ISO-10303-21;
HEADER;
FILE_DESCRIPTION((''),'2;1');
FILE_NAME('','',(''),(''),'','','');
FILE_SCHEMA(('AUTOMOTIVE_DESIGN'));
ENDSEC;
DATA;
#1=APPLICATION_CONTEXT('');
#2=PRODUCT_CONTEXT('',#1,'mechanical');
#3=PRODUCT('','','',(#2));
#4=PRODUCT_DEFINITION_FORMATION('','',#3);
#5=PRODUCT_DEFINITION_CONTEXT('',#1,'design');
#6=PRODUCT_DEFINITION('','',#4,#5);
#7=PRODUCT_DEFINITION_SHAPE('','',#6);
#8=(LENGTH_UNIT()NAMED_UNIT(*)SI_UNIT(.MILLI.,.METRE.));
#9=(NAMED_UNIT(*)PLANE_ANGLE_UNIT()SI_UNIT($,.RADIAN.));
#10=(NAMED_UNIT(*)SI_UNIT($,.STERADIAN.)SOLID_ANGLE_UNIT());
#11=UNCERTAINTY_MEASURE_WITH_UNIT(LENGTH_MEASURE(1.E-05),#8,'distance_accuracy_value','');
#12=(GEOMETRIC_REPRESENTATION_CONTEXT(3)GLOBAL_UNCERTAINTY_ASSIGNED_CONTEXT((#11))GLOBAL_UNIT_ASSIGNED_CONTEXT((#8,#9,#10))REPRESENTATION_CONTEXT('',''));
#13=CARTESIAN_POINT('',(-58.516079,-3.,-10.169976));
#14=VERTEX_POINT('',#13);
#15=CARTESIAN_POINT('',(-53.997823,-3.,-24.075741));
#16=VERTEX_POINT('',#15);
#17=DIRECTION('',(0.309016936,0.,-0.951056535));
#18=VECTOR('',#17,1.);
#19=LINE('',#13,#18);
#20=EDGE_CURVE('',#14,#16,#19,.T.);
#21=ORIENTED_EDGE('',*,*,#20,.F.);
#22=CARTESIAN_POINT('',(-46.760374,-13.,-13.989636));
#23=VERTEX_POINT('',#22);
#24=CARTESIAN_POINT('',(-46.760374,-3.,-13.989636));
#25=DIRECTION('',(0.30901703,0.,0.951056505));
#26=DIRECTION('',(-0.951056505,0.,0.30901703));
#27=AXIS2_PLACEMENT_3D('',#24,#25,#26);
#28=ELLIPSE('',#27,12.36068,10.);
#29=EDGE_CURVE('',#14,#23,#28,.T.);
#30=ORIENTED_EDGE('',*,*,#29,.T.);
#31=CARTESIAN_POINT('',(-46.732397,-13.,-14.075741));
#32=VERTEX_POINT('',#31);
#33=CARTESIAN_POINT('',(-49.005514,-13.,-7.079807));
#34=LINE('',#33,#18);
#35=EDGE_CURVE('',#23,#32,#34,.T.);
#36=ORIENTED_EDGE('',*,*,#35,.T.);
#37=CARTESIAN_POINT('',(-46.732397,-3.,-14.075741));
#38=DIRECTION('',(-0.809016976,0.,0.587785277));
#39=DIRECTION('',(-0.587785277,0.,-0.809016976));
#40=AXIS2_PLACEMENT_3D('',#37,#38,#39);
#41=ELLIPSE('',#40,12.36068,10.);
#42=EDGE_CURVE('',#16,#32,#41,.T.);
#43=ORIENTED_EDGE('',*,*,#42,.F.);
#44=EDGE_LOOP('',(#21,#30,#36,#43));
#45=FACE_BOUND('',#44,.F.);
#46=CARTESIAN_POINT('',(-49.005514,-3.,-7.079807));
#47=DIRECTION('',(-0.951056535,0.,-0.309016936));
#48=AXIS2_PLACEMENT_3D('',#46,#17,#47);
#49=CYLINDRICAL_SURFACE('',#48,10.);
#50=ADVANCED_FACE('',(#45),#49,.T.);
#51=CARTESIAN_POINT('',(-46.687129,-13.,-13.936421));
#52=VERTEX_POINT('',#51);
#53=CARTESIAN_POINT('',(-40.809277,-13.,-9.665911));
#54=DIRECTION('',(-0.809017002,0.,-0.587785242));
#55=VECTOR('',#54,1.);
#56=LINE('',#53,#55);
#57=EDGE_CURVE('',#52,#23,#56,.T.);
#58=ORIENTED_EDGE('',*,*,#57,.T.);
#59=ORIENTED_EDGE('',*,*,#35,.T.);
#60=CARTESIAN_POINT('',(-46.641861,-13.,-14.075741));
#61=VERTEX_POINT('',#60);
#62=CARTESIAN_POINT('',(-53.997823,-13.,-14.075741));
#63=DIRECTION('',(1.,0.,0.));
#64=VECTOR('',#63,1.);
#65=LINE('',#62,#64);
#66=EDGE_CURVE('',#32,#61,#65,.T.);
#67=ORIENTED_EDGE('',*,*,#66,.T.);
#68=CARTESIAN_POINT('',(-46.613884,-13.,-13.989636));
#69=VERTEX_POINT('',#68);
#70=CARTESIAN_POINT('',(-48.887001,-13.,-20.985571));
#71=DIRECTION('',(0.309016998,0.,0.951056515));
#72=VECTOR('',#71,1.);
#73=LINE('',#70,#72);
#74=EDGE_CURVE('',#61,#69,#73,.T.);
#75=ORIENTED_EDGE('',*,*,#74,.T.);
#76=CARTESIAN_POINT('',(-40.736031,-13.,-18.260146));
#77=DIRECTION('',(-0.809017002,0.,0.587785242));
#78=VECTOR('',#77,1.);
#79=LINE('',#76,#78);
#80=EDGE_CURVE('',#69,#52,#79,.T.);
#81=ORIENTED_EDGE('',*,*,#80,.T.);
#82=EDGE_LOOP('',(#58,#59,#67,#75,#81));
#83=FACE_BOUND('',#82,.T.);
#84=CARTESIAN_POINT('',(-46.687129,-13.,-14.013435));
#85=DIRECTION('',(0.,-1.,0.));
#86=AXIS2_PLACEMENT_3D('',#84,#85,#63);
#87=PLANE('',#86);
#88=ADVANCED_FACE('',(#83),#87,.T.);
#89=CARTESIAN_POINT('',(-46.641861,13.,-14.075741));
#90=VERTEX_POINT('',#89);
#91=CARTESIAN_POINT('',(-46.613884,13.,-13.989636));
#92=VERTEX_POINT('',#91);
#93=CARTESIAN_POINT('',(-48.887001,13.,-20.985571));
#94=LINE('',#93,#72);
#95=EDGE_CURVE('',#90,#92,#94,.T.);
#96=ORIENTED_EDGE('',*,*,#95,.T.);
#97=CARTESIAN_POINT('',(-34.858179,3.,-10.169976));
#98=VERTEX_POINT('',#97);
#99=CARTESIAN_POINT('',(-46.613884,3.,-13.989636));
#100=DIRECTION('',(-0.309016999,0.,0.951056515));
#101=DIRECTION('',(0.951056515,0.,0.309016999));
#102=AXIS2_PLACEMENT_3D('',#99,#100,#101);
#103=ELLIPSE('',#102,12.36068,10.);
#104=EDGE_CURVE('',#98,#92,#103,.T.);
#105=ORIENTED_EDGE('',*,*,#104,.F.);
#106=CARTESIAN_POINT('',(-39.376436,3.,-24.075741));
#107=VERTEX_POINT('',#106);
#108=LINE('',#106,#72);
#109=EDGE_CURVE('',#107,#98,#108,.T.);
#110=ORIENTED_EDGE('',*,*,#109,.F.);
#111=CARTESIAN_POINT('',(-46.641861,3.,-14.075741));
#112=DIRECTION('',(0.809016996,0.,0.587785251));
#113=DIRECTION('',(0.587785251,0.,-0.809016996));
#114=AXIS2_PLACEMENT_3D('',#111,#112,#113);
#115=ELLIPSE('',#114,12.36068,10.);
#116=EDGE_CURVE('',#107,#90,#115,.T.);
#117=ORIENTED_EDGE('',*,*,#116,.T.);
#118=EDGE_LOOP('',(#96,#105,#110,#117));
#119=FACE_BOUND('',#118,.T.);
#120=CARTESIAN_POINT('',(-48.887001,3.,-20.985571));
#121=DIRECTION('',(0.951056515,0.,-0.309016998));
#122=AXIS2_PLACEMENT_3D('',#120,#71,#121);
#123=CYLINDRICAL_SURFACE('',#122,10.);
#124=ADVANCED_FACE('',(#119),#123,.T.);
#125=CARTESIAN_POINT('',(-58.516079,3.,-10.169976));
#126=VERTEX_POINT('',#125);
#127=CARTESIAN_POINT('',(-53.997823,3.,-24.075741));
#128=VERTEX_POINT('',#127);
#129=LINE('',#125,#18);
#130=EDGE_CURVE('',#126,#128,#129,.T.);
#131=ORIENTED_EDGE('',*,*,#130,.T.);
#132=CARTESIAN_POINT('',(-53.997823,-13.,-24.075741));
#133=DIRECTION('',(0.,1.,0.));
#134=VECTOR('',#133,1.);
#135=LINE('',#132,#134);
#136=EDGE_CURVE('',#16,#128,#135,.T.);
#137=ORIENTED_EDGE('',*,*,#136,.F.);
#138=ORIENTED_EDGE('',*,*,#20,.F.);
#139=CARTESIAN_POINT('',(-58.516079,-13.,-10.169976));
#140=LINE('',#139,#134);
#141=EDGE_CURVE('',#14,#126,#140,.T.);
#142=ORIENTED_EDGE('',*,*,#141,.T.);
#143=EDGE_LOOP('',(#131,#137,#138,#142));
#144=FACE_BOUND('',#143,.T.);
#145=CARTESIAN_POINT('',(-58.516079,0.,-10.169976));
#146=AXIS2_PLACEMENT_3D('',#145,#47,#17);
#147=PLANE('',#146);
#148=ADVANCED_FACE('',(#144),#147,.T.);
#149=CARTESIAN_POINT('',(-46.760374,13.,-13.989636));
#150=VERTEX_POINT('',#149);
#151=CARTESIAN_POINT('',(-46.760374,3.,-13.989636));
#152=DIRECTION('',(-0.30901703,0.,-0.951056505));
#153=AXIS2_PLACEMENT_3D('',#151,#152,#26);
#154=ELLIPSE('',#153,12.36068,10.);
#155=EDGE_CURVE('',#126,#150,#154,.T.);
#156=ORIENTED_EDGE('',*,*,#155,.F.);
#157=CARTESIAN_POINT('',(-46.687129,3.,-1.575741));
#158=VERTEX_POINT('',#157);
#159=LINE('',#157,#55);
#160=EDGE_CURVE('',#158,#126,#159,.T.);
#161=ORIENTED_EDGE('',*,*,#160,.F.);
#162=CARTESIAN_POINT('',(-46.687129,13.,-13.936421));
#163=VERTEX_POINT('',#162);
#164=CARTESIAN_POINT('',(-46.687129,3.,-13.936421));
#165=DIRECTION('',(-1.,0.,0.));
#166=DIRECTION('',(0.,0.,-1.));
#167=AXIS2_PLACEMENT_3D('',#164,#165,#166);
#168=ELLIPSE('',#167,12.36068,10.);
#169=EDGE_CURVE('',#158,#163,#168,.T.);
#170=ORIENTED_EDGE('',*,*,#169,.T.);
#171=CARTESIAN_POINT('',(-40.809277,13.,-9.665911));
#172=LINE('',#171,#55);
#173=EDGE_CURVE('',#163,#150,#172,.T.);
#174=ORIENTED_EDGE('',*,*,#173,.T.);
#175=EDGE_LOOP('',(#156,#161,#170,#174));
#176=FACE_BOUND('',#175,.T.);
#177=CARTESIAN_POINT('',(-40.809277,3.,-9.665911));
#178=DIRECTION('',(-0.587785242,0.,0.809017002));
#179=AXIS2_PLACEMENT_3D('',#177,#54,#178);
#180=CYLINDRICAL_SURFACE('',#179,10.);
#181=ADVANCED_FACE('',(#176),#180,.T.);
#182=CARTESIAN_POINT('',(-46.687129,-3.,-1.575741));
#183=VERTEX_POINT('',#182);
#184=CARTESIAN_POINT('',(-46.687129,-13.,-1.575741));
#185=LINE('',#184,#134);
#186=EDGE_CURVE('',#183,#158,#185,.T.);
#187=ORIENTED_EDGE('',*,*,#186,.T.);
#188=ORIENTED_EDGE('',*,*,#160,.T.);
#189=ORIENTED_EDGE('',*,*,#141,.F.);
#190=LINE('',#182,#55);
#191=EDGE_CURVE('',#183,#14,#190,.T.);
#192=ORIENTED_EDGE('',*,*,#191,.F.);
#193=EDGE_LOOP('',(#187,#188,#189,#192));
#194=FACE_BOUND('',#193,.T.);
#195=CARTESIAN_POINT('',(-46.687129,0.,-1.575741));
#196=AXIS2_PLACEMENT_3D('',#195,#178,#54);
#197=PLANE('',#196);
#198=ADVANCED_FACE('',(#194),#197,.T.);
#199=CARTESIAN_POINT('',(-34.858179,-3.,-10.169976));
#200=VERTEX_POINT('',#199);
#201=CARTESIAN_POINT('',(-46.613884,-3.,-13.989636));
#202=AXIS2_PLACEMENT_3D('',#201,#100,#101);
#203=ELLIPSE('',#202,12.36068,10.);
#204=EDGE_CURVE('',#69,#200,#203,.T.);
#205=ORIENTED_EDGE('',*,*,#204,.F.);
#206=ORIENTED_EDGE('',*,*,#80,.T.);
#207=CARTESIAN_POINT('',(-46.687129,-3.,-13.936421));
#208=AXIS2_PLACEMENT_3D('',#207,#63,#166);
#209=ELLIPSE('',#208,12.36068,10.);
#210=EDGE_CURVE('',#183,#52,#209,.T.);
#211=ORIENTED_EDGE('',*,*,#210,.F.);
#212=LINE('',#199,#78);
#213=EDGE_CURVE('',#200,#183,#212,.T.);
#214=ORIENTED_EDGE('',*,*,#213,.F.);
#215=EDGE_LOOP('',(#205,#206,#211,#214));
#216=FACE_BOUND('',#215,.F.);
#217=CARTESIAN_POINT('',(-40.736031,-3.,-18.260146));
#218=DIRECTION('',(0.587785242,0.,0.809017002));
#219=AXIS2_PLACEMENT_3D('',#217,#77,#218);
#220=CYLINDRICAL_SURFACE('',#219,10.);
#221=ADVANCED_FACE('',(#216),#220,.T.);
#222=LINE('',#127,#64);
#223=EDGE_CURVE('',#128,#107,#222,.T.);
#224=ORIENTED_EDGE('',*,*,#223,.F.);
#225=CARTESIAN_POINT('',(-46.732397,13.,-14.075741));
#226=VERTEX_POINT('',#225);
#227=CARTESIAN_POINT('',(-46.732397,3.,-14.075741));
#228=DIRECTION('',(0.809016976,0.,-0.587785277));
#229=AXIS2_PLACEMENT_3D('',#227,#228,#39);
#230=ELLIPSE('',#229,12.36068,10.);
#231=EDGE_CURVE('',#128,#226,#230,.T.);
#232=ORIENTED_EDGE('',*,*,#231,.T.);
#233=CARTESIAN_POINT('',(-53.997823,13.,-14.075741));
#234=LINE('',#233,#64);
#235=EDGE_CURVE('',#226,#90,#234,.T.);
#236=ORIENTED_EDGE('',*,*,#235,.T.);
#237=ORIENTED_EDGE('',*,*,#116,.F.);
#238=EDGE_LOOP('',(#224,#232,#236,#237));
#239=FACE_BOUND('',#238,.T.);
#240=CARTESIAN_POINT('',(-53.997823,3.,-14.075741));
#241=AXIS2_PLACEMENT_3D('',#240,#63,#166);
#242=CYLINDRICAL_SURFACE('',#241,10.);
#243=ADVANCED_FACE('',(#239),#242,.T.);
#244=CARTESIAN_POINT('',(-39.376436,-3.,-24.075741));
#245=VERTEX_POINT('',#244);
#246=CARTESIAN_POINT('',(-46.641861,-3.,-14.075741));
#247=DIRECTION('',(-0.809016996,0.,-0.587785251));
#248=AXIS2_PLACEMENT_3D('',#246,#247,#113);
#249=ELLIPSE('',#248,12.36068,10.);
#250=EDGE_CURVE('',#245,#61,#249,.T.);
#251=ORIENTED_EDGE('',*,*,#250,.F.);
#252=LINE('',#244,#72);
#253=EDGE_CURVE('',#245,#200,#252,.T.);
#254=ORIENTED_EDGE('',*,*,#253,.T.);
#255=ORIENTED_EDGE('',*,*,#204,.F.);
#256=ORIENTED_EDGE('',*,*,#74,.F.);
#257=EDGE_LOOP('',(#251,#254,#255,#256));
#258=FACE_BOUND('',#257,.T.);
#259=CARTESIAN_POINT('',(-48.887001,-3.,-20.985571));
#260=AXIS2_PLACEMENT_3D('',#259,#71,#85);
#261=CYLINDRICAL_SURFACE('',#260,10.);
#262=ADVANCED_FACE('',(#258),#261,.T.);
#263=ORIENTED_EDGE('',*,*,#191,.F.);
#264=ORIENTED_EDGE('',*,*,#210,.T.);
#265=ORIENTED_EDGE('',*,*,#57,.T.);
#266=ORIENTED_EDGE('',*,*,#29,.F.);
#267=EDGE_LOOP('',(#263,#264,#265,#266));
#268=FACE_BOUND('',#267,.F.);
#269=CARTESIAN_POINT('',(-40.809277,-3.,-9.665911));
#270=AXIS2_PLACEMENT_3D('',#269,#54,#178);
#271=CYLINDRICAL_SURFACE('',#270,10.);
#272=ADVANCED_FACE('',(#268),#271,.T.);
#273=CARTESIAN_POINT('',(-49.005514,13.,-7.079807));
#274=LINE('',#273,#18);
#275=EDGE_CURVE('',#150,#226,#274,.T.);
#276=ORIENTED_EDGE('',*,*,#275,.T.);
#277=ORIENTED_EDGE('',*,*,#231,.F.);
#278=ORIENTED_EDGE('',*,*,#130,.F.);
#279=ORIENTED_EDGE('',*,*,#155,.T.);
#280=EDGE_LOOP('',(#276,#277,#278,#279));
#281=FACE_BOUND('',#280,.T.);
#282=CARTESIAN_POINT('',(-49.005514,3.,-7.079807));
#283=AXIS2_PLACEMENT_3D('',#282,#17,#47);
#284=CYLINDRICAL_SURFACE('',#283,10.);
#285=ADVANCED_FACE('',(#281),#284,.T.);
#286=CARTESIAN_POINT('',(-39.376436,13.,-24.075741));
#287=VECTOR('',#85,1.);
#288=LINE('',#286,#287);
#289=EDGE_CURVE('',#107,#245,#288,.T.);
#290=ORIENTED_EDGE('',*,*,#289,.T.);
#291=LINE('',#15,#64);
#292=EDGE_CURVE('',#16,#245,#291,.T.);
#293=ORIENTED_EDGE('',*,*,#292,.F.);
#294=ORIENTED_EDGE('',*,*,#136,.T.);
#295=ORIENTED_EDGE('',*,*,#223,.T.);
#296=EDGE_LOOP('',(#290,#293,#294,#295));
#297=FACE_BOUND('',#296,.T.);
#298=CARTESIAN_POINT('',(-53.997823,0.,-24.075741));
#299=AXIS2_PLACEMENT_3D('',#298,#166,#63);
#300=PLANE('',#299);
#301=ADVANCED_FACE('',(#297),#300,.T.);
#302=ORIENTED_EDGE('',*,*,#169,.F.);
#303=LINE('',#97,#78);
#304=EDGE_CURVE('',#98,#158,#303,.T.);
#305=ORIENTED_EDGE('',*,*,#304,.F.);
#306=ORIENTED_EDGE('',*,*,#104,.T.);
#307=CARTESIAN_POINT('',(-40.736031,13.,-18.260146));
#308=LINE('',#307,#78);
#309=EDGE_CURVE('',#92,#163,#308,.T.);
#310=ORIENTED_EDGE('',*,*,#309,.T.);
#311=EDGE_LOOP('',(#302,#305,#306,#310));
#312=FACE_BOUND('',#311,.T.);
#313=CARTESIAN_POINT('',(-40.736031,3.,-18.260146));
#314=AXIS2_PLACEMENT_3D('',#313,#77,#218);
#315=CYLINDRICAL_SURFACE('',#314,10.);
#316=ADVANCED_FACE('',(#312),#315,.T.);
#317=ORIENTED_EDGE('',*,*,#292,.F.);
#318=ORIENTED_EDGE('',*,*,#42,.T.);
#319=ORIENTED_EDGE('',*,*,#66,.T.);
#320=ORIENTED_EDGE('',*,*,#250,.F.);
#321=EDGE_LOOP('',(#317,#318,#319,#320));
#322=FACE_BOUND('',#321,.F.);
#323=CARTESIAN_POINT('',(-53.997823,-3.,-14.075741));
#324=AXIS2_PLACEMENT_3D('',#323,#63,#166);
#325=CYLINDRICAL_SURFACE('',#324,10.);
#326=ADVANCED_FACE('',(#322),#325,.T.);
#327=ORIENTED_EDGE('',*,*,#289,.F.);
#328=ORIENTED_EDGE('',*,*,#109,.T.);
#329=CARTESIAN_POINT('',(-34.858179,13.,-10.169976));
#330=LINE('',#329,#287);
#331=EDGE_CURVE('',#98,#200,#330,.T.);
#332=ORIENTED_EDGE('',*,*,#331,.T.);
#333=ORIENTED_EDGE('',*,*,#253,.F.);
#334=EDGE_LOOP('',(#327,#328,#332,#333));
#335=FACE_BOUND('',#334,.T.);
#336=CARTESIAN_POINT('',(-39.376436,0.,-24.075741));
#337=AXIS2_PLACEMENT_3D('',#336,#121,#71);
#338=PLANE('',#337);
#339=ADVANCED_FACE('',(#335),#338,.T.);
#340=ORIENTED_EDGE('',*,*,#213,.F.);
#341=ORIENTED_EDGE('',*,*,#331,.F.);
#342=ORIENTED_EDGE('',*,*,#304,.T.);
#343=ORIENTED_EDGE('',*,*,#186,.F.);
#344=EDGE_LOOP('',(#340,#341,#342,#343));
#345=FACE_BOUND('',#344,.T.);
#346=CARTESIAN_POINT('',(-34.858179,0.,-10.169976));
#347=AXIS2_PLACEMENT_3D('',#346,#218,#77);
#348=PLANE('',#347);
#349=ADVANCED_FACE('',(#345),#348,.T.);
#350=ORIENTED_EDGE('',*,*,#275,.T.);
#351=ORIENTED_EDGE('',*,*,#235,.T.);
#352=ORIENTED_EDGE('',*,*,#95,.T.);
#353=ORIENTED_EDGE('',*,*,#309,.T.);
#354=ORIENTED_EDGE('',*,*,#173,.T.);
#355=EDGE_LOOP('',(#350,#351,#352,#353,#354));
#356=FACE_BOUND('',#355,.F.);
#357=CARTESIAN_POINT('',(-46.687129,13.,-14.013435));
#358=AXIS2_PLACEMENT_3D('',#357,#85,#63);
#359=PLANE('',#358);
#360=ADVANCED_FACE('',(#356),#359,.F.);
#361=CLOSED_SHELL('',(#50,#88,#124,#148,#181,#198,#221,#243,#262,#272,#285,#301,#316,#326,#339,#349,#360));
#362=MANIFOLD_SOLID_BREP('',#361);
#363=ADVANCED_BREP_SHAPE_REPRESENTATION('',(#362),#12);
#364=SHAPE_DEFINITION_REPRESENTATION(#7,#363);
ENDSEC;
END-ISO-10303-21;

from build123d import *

# Parameters (mm, degrees)
F1_DEPTH      = 13
F1_DEPTH_BACK = 13
F2_R          = 10


with BuildPart() as f1:
    # F0 (on Front) → F1 (new body, two sides)
    with BuildSketch(Plane.XZ) as f1_sk:
        Polygon((-53.997823, -24.075741), (-39.376436, -24.075741), (-34.858179, -10.169976), (-46.687129, -1.575741), (-58.516079, -10.169976), align=None)
    extrude(amount=F1_DEPTH)
    extrude(f1_sk.sketch, amount=-F1_DEPTH_BACK)

    # F2
    f2_edges = [f1.edges().sort_by_distance(p)[0] for p in [
        (-52.601604, -13, -5.872858),
        (-56.256951, -13, -17.122858),
        (-46.687129, -13, -24.075741),
        (-37.117308, -13, -17.122858),
        (-40.772654, -13, -5.872858),
        (-52.601604, 13, -5.872858),
        (-56.256951, 13, -17.122858),
        (-46.687129, 13, -24.075741),
        (-37.117308, 13, -17.122858),
        (-40.772654, 13, -5.872858),
    ]]
    fillet(f2_edges, radius=F2_R)


solid = f1.part
